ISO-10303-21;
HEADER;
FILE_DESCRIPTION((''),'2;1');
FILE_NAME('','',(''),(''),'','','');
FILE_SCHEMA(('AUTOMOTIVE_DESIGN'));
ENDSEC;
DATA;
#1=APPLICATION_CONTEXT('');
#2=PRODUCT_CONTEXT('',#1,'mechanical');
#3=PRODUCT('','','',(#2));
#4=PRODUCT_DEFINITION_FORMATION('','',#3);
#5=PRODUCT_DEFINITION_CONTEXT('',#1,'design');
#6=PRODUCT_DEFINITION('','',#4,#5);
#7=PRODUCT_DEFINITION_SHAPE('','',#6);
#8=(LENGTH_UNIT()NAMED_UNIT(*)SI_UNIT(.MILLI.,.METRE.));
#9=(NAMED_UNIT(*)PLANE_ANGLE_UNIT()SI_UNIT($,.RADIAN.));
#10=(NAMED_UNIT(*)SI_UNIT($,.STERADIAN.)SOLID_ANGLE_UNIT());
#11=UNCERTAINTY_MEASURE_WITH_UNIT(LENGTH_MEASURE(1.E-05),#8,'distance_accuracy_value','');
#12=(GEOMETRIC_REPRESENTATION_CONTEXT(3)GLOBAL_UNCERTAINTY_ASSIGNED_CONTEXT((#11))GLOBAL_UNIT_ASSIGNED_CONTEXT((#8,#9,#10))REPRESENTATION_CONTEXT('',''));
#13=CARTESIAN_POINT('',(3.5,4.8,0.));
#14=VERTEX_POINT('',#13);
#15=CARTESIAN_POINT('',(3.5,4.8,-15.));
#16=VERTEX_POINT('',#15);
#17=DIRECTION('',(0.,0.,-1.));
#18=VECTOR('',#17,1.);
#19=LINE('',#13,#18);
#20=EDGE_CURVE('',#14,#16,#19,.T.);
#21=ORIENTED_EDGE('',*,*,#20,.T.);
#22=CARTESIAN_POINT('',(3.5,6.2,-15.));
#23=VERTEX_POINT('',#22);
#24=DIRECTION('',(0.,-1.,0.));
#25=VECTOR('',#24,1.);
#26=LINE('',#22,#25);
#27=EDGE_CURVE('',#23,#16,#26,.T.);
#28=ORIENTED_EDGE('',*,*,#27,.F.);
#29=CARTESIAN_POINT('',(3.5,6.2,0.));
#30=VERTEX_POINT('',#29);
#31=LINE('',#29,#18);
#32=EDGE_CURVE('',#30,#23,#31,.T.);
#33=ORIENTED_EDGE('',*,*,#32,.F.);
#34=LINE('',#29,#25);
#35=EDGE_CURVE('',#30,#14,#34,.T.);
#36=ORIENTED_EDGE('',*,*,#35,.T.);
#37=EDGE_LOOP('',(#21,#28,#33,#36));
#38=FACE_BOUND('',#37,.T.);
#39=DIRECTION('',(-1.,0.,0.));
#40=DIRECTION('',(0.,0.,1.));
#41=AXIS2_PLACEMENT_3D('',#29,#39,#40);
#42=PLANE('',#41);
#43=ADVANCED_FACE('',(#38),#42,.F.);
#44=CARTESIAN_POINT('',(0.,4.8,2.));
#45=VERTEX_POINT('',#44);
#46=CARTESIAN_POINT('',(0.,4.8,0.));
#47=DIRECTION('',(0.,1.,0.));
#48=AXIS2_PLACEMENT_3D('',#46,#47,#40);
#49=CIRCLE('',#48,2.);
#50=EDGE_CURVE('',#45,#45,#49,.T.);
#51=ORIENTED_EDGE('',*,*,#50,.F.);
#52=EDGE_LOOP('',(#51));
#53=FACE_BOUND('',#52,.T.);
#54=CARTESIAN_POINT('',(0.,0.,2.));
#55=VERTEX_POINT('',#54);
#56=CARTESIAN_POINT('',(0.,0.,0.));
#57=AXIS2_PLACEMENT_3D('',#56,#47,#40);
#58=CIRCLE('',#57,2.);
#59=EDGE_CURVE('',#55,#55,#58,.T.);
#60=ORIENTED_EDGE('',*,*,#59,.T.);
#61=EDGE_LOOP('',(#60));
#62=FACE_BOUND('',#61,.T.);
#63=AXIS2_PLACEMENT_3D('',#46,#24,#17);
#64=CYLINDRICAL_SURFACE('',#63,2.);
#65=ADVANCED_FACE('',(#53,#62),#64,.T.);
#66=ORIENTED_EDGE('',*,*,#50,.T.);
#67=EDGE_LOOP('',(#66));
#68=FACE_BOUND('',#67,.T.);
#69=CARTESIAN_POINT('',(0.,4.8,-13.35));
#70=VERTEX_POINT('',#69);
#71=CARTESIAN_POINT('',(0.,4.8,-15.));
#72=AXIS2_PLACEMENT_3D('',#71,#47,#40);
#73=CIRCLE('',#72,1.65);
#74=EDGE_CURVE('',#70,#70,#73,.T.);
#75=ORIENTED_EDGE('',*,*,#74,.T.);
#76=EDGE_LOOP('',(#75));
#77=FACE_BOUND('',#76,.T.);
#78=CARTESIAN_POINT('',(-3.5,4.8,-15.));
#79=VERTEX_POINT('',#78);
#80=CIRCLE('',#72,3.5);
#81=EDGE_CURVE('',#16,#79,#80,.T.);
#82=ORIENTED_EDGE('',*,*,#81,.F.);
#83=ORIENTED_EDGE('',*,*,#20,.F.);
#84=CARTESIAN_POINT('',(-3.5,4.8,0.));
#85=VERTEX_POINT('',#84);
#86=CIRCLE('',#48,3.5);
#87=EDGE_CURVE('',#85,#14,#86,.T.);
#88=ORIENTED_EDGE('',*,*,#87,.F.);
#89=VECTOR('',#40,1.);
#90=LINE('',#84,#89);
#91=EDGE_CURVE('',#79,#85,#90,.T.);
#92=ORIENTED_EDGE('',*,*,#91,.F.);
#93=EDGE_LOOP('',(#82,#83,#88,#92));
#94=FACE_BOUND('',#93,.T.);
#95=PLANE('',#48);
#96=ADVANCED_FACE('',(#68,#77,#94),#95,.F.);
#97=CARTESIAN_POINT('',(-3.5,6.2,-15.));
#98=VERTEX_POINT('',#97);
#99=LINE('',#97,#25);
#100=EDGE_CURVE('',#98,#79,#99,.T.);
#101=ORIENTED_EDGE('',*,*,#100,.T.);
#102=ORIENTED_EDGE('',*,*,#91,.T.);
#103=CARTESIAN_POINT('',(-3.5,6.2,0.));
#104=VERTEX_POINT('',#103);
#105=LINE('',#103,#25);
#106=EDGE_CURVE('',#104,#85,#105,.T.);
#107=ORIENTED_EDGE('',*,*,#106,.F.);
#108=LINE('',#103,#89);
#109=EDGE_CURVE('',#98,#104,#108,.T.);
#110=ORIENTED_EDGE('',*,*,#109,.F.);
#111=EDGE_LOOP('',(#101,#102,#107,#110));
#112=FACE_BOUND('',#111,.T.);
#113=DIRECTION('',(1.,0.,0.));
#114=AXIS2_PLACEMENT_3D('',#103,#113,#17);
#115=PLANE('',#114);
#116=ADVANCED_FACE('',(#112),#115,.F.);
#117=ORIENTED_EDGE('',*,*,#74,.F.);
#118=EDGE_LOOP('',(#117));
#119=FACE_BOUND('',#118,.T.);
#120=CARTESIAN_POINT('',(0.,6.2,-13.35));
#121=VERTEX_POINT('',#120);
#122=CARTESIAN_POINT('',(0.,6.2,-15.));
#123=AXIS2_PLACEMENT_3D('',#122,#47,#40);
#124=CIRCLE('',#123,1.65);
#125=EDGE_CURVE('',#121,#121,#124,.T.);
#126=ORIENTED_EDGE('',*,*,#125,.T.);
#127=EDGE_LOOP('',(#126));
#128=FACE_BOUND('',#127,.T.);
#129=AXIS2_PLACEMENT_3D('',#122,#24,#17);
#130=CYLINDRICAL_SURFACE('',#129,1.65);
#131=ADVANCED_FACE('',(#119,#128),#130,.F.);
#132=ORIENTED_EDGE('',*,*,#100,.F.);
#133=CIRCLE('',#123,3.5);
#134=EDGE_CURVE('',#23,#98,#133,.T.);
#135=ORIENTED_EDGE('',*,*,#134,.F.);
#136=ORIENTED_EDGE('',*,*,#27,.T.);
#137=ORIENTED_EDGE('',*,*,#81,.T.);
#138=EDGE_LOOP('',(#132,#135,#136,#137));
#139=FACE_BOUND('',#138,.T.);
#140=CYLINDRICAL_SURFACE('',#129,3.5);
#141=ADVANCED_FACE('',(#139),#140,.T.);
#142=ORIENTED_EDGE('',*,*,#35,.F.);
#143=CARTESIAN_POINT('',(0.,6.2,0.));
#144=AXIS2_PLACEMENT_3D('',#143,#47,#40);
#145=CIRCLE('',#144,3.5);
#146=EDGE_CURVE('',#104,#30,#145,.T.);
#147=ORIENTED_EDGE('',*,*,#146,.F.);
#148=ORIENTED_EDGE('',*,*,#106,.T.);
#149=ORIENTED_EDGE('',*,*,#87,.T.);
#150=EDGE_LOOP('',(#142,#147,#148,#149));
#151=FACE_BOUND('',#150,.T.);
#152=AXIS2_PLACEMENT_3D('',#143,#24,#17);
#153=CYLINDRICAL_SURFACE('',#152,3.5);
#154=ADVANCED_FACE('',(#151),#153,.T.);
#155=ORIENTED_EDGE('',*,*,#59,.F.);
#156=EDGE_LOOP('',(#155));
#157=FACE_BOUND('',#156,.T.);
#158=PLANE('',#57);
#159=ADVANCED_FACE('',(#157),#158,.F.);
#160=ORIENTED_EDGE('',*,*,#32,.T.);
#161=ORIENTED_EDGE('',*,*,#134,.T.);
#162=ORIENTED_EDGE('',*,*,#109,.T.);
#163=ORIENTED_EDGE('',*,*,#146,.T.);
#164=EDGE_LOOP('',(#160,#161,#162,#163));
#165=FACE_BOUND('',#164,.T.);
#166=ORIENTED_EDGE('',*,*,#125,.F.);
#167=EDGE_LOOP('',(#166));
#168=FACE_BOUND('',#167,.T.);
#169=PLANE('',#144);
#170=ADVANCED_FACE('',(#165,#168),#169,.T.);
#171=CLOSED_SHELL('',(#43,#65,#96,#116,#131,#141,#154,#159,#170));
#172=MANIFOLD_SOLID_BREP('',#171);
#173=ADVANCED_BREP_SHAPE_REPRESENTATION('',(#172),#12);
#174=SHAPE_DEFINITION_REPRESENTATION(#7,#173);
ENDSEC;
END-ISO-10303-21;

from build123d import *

# Parameters (mm, degrees)
SKETCH_1_R      = 2
EXTRUDE_1_DEPTH = 4.8
SKETCH_2_R      = 1.65
EXTRUDE_2_DEPTH = 1.4


with BuildPart() as part:
    # 草图1 → 凸台-拉伸1 (new body)
    with BuildSketch(Plane(origin=(0, 0, 0), x_dir=(1, 0, 0), z_dir=(0, 1, 0))):
        with Locations(Location((0, 0, 0), (0, 0, 270))):
            Circle(SKETCH_1_R)
    extrude(amount=EXTRUDE_1_DEPTH)

    # 草图2 → 凸台-拉伸2 (add)
    with BuildSketch(Plane(origin=(0, 4.8, 0), x_dir=(1, 0, 0), z_dir=(0, 1, 0))):
        with BuildLine():
            Line((-3.5, 0), (-3.5, 15))
            ThreePointArc((-3.5, 15), (0, 18.5), (3.5, 15))
            Line((3.5, 15), (3.5, 0))
            ThreePointArc((3.5, 0), (0, -3.5), (-3.5, 0))
        make_face()
        with Locations(Location((0, 15, 0), (0, 0, 270))):
            Circle(SKETCH_2_R, mode=Mode.SUBTRACT)
    extrude(amount=EXTRUDE_2_DEPTH)


solid = part.part
